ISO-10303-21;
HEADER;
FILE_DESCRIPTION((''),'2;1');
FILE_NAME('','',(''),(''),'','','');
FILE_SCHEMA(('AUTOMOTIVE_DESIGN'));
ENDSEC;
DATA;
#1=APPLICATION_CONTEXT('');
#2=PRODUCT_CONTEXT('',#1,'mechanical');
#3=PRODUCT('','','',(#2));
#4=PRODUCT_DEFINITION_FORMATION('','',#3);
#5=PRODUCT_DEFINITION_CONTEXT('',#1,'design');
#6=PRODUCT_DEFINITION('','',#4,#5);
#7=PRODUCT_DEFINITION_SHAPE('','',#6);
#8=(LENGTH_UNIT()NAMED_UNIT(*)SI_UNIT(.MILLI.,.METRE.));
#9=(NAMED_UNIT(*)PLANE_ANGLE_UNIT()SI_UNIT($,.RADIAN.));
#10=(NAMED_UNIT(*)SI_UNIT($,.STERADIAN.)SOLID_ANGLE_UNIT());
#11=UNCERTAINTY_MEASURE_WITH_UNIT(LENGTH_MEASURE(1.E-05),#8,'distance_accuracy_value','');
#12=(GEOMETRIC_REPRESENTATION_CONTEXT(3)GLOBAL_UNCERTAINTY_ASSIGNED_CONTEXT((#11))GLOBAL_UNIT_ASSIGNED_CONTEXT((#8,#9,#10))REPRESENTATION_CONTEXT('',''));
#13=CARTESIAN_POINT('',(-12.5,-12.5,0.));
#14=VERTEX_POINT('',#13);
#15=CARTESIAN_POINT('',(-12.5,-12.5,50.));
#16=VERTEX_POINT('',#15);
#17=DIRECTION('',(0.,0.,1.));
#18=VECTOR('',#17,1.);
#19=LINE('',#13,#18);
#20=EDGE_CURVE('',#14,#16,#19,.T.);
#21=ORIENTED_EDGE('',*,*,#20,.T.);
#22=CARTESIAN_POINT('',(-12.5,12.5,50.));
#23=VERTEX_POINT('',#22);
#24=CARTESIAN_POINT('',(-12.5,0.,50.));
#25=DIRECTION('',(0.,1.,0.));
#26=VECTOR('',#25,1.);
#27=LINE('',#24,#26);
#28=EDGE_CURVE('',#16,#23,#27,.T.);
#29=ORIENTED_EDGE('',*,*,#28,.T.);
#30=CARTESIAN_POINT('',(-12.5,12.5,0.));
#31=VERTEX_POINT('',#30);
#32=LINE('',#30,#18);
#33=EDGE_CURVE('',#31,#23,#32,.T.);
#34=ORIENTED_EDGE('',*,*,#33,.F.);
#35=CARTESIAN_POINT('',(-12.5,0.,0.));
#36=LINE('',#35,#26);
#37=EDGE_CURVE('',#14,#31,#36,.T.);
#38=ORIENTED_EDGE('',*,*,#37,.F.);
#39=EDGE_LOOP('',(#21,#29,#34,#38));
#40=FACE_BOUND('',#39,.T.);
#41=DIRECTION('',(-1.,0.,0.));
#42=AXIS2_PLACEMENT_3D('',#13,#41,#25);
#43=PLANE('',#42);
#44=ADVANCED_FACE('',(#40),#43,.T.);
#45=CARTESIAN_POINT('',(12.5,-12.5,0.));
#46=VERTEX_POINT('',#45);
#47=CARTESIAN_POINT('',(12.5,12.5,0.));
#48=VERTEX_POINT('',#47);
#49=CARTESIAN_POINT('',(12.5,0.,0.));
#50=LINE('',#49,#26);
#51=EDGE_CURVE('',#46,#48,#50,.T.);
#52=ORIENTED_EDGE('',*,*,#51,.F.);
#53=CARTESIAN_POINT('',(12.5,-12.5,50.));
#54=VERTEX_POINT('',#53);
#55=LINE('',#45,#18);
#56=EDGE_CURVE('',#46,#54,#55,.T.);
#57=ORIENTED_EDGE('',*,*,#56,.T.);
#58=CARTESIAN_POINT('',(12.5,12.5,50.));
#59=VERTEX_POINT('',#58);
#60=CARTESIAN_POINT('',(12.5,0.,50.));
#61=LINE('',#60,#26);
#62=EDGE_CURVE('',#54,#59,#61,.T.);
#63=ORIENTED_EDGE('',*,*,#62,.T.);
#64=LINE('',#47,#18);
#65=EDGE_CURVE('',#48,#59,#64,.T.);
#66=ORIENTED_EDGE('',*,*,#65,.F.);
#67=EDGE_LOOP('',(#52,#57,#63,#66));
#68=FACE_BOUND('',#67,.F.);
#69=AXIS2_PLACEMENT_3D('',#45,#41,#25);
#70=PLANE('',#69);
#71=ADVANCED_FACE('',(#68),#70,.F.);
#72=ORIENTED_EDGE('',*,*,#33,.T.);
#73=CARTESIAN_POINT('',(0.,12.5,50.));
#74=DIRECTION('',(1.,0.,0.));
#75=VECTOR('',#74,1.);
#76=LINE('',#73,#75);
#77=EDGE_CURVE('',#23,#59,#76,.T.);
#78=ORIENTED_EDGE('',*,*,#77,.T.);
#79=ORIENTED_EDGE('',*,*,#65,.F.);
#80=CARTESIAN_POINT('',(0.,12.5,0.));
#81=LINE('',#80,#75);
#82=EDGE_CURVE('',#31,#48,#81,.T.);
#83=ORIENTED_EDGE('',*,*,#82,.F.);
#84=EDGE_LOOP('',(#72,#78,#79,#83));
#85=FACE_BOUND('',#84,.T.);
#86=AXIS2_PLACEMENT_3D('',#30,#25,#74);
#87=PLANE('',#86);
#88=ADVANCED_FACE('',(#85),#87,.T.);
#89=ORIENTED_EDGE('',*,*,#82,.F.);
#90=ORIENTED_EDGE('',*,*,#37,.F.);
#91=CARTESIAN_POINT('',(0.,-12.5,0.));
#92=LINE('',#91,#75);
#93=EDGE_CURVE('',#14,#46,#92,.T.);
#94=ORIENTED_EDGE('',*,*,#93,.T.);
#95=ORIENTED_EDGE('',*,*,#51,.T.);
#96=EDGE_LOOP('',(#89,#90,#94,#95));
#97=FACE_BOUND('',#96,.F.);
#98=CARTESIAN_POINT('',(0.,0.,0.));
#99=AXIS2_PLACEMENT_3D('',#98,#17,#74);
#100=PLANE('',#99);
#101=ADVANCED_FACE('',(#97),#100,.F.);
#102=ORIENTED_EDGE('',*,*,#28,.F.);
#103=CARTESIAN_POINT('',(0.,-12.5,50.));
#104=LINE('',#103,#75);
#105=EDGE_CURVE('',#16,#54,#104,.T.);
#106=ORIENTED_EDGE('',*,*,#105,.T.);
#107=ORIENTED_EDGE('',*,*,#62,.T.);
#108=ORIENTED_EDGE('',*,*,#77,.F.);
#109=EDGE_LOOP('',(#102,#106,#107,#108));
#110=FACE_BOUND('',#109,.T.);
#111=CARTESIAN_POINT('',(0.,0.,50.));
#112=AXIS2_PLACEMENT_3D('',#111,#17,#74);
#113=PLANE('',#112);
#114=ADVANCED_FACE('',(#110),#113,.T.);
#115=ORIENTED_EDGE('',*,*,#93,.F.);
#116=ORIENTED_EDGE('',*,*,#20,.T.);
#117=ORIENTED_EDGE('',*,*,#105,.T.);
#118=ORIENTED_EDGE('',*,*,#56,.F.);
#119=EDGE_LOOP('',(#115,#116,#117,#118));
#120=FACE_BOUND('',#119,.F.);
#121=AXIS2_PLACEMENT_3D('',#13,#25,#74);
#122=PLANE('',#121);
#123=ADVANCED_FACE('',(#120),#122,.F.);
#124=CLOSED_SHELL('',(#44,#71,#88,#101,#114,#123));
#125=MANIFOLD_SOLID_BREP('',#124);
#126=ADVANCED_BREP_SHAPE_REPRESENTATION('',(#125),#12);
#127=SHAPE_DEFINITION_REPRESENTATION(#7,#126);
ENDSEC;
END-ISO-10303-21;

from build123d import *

# Parameters (mm, degrees)
SKETCH_W      = 25
SKETCH_H      = 25
EXTRUDE_DEPTH = 50


with BuildPart() as part:
    # Sketch → Extrude (new body)
    with BuildSketch(Plane.XY):
        Rectangle(SKETCH_W, SKETCH_H)
    extrude(amount=EXTRUDE_DEPTH)


solid = part.part
